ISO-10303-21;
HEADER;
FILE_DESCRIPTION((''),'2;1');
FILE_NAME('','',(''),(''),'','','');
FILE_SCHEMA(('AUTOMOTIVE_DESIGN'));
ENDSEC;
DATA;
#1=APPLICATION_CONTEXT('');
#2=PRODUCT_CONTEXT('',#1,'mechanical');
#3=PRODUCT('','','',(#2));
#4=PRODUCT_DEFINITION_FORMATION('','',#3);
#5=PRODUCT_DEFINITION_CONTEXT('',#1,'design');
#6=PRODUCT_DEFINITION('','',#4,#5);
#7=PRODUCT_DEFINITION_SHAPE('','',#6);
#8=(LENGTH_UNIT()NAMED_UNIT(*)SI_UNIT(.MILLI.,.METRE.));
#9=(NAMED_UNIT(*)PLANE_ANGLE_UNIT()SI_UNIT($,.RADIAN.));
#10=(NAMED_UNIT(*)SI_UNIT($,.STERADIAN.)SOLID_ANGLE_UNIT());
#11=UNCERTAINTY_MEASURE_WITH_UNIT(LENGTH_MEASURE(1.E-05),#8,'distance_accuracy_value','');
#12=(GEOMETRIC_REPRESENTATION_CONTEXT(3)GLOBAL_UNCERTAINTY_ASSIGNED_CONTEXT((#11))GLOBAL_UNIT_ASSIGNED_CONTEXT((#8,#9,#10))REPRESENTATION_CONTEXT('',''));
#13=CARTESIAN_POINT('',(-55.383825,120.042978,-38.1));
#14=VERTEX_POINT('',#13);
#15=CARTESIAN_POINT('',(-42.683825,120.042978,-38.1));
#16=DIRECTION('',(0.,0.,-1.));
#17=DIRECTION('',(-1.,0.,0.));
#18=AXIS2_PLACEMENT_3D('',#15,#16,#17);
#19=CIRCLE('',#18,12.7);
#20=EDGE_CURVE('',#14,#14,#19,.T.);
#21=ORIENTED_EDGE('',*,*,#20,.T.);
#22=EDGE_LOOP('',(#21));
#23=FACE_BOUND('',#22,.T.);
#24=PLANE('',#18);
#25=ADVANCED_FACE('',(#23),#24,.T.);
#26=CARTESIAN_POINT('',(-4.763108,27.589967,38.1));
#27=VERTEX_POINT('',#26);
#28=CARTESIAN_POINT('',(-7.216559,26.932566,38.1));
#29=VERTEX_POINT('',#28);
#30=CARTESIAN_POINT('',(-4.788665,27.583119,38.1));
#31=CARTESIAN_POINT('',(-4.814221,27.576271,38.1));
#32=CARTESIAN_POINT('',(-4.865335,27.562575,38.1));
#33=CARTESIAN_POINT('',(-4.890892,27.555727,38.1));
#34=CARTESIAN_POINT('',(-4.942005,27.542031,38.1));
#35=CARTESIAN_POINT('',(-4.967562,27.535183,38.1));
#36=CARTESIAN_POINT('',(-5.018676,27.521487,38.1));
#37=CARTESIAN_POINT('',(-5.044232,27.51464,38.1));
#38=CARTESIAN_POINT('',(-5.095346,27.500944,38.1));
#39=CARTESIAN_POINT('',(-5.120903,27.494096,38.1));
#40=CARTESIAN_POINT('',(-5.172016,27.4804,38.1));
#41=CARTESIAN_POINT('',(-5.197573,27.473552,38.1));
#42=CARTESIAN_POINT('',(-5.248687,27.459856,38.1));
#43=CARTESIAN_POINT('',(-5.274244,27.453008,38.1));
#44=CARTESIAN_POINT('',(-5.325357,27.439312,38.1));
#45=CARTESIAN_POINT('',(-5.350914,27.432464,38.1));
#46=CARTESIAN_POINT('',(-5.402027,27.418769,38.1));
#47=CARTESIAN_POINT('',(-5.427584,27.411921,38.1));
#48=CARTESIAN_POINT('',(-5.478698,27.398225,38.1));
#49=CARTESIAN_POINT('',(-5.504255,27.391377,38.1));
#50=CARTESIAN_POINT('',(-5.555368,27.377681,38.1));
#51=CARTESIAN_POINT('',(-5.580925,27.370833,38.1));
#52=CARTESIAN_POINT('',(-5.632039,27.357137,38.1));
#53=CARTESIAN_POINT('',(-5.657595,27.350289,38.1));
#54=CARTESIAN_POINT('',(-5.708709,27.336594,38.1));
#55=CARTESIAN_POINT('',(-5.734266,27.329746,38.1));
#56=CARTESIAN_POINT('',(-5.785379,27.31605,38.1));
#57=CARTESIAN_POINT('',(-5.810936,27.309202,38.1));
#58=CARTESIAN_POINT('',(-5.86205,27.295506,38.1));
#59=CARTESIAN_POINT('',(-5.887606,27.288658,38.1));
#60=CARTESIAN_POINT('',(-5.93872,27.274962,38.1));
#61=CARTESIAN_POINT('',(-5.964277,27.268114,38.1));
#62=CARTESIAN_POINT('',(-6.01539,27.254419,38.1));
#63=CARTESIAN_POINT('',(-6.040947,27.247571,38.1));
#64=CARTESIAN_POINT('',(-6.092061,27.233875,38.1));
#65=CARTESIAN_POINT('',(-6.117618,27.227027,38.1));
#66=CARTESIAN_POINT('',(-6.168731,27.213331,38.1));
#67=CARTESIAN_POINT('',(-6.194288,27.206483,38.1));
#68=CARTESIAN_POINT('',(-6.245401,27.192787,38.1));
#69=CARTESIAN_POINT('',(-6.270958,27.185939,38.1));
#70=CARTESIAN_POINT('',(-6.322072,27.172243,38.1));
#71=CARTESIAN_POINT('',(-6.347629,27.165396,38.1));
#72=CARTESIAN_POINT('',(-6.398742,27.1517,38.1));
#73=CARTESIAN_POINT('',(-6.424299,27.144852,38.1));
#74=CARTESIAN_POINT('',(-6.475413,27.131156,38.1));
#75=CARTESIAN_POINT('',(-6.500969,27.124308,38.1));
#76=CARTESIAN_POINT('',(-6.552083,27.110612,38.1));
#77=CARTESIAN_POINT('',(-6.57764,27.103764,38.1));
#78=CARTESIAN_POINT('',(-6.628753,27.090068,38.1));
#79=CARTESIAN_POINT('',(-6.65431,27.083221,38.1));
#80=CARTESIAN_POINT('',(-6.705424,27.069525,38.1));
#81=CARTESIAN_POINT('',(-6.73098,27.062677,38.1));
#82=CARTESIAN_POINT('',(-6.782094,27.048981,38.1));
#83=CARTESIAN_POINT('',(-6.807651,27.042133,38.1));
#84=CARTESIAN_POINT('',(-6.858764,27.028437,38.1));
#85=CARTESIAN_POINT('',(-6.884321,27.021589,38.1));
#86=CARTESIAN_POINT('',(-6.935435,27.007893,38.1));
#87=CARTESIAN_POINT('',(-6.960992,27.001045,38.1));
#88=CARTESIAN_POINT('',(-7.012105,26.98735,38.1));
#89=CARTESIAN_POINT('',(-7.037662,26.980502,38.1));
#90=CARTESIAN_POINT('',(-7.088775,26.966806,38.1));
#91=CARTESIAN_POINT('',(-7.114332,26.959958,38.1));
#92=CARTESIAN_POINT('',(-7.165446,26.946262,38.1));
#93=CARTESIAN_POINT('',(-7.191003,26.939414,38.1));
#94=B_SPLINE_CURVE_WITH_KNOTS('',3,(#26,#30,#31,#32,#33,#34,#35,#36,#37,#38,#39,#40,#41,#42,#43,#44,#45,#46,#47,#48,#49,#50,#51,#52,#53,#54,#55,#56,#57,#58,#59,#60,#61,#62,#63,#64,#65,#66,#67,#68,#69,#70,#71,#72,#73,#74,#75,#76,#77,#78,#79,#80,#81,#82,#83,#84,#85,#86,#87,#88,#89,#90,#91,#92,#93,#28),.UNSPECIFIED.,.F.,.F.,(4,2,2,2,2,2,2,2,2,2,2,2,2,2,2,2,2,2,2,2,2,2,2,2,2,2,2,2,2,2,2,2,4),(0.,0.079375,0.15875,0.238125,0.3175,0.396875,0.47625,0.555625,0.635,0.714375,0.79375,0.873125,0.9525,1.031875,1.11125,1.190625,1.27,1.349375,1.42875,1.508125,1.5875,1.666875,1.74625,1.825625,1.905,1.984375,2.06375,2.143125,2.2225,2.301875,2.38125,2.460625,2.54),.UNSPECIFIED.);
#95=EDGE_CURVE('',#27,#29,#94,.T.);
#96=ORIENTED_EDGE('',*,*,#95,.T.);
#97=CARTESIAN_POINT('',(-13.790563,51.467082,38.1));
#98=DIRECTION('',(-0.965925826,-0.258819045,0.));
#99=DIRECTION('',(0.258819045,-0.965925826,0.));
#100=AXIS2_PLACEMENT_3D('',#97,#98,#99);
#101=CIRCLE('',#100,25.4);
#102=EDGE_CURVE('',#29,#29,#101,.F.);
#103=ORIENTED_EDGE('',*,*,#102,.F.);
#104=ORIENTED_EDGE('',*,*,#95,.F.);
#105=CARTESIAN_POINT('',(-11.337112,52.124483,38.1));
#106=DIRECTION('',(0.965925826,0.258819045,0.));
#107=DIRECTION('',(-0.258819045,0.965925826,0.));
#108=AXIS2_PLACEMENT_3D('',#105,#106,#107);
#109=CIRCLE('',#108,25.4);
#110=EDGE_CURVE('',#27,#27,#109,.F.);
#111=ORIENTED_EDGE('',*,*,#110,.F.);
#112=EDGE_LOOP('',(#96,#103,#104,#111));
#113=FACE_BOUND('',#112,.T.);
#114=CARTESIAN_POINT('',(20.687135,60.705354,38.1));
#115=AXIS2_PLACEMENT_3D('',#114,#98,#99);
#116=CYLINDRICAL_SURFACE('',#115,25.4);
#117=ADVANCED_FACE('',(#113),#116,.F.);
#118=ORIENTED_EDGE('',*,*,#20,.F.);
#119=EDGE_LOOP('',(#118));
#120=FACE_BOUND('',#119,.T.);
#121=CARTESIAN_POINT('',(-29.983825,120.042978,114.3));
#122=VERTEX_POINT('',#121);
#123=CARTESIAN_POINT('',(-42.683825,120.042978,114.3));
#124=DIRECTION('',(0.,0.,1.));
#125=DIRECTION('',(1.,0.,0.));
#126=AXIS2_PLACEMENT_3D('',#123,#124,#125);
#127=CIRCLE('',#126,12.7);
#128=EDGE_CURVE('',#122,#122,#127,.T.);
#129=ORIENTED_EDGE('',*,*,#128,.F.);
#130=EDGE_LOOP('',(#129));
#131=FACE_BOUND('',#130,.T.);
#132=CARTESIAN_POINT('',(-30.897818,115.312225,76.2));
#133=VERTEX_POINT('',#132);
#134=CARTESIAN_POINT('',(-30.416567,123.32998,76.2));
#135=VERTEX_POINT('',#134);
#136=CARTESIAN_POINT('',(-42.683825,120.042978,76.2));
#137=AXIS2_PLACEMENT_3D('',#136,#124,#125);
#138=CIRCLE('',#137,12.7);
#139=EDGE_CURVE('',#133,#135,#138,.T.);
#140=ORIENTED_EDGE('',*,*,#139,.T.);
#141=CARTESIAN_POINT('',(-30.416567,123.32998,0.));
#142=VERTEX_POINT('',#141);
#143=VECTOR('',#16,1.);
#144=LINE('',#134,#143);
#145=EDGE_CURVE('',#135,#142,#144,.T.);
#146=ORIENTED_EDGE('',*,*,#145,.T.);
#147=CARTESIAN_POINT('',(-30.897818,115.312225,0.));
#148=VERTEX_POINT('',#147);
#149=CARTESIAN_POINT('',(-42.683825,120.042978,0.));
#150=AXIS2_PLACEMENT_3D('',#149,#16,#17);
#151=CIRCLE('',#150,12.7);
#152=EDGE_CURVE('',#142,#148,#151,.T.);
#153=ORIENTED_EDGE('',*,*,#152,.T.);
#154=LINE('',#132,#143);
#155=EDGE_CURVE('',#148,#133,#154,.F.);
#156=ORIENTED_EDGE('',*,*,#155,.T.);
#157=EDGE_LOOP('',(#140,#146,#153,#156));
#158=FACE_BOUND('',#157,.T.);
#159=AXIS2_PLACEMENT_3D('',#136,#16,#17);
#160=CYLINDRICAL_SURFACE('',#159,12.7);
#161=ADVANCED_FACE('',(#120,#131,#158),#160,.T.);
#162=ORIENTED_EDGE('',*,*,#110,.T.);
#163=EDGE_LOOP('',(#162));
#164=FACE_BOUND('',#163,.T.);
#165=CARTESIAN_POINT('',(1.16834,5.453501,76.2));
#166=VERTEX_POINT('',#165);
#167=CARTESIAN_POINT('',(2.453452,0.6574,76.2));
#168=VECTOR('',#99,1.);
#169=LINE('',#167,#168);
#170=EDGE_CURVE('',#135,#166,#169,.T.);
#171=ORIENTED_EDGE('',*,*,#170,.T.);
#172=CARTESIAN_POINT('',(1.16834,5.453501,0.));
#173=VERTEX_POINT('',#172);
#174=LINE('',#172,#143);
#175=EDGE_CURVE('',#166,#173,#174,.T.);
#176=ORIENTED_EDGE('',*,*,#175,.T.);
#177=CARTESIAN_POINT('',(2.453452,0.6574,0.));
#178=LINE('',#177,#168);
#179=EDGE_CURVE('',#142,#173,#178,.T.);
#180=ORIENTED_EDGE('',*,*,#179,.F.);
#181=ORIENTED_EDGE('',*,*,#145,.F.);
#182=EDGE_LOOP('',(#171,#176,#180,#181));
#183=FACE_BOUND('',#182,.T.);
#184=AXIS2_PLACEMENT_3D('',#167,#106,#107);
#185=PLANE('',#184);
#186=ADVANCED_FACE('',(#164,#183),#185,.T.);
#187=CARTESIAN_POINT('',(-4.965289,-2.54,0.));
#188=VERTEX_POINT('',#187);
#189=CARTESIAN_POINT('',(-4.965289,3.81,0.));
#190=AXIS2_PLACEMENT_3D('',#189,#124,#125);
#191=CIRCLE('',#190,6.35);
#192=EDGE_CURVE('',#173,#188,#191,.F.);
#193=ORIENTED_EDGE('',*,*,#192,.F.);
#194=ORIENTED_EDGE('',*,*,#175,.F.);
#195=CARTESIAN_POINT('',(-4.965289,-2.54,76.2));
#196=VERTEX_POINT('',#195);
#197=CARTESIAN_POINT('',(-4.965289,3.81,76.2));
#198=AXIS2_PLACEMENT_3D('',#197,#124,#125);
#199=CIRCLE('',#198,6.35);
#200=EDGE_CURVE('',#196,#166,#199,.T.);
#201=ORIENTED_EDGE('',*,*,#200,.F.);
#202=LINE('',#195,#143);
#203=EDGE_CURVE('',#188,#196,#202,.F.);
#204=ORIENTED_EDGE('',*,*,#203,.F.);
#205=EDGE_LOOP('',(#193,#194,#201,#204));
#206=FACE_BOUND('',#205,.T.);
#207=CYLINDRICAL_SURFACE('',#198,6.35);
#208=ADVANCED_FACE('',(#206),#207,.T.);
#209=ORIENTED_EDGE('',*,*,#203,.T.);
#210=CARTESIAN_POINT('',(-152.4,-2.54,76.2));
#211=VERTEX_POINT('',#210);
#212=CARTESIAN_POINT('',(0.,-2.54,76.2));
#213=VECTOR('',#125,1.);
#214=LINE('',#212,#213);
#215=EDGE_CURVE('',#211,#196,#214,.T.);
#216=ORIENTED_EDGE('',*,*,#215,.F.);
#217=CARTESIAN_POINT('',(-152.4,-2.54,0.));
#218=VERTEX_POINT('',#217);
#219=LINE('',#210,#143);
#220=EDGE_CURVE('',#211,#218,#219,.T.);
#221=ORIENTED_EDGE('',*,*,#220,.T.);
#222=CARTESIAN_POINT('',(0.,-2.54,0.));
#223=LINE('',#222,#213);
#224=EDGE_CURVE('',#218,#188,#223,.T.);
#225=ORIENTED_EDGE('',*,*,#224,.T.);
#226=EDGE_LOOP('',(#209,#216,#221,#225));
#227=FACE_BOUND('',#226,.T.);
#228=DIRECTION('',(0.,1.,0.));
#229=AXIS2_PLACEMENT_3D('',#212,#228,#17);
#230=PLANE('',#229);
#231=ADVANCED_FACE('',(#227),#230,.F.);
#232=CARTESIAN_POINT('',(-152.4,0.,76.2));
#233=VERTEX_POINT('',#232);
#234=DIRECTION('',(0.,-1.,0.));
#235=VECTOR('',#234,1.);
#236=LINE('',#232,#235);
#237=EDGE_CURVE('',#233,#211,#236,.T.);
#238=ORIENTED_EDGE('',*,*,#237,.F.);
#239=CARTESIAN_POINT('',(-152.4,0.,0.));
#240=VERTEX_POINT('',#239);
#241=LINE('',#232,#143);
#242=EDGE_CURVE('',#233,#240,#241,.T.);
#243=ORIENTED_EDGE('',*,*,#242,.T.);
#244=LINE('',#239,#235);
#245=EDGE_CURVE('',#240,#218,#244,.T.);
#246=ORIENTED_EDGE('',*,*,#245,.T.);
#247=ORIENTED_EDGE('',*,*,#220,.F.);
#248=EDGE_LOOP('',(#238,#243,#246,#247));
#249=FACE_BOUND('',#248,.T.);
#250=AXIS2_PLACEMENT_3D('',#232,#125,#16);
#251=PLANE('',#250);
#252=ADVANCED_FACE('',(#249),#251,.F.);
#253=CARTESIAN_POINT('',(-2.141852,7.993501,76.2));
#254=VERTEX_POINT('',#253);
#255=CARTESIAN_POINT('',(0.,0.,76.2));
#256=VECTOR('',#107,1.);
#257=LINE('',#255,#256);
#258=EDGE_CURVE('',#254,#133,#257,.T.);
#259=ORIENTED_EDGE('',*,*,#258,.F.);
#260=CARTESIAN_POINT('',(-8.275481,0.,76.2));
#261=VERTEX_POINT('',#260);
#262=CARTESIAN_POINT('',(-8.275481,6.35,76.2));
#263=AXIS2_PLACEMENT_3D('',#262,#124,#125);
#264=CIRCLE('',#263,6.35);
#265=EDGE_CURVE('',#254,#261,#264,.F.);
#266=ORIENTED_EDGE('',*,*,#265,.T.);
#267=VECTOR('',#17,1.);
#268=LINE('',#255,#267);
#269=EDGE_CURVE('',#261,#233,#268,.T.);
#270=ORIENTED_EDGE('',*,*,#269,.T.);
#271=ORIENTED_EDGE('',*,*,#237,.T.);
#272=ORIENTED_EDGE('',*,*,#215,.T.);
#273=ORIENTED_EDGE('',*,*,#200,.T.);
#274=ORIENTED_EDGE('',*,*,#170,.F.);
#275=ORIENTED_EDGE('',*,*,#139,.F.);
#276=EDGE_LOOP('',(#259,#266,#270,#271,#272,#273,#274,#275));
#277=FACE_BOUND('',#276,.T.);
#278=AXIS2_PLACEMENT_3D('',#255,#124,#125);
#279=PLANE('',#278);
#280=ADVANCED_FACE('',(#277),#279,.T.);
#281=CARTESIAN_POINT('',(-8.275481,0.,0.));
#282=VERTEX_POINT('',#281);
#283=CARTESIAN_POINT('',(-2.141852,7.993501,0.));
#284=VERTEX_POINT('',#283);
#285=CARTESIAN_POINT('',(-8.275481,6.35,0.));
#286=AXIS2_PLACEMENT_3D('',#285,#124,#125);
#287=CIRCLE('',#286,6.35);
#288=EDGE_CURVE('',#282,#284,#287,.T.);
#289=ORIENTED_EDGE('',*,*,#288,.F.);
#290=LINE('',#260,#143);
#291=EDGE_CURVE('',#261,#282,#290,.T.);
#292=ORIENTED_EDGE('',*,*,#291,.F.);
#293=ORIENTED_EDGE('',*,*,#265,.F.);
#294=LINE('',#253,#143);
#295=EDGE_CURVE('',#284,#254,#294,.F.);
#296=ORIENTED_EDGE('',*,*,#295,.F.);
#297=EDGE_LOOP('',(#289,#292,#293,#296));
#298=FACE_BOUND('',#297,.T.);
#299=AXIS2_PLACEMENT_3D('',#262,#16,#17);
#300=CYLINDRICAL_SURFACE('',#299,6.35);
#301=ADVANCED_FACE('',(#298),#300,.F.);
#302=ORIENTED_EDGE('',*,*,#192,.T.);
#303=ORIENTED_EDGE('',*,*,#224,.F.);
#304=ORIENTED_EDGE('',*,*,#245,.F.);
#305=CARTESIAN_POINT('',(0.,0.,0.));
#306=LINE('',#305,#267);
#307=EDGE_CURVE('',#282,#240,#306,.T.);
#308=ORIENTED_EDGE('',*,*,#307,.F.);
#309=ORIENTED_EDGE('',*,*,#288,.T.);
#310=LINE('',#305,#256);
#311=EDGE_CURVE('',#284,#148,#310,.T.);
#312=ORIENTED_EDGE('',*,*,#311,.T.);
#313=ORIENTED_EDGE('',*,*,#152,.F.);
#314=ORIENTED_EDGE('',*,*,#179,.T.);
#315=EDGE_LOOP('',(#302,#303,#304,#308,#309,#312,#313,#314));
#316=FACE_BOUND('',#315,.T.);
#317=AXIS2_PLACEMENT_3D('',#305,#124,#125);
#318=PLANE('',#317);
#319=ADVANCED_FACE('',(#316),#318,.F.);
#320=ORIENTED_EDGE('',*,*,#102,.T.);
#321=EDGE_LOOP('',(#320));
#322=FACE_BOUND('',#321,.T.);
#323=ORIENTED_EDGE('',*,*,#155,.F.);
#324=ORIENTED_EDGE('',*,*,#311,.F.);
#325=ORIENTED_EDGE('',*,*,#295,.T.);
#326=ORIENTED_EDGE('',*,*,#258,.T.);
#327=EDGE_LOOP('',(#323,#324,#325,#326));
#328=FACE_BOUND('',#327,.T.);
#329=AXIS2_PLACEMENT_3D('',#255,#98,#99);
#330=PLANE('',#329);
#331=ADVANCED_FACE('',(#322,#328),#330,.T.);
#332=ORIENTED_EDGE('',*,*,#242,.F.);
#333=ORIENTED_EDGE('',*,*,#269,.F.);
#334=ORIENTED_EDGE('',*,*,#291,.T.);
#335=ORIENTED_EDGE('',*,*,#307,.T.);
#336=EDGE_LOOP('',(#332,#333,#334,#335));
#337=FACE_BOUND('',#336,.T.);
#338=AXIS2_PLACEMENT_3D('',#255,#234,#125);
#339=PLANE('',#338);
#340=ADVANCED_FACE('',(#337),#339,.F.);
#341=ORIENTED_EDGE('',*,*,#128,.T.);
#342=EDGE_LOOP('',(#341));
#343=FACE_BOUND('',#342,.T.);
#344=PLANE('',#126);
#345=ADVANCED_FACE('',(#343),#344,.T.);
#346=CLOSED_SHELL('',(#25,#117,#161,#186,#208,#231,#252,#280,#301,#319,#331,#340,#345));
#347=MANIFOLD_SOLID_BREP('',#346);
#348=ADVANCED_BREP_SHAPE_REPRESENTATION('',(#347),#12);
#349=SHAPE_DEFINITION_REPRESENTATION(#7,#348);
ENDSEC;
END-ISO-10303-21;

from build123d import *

# Parameters (mm, degrees)
BOSS_EXTRUDE1_DEPTH            = 76.2
FILLET1_R                      = 6.35
FILLET2_R                      = 6.35
CUT_EXTRUDE1_REACH             = 219.331
SKETCH2_R                      = 25.4
CUT_EXTRUDE1_DIRECTION_2_DEPTH = 218.330696
BOSS_EXTRUDE4_START            = 38.1
SKETCH5_R                      = 12.7
BOSS_EXTRUDE4_DEPTH            = 38.1
SKETCH6_R                      = 12.7
BOSS_EXTRUDE5_DEPTH            = 38.1


with BuildPart() as part:
    # Sketch1 → Boss-Extrude1 (new body)
    with BuildSketch(Plane.XY):
        with BuildLine():
            Line((-152.4, -2.54), (3.310192, -2.54))
            Line((3.310192, -2.54), (-30.416567, 123.32998))
            ThreePointArc((-30.416567, 123.32998), (-55.361009, 120.803902), (-30.897818, 115.312225))
            Line((-30.897818, 115.312225), (0, 0))
            Line((0, 0), (-152.4, 0))
            Line((-152.4, 0), (-152.4, -2.54))
        make_face()
    extrude(amount=BOSS_EXTRUDE1_DEPTH)

    # Fillet1
    fillet1_edges = [part.edges().sort_by_distance(p)[0] for p in [
        (0, 0, 38.1),
    ]]
    fillet(fillet1_edges, radius=FILLET1_R)

    # Fillet2
    fillet2_edges = [part.edges().sort_by_distance(p)[0] for p in [
        (3.310192, -2.54, 38.1),
    ]]
    fillet(fillet2_edges, radius=FILLET2_R)

    # Sketch2 → Cut-Extrude1 (cut, up to next)
    with BuildSketch(Plane(origin=(2.453452, 0.6574, 0), x_dir=(0, 0, -1), z_dir=(0.9659258262890685, 0.2588190451025197, 0)), mode=Mode.PRIVATE) as cut_extrude1_sk1:
        with Locations(Location((-38.1, 53.282644, 0), (0, 0, 270))):
            Circle(SKETCH2_R)
    cut_extrude1_tool1 = extrude(cut_extrude1_sk1.sketch, amount=-CUT_EXTRUDE1_REACH, mode=Mode.PRIVATE) & part.part
    add(cut_extrude1_tool1.solids().sort_by_distance((-11.337112, 52.124483, 38.1))[0], mode=Mode.SUBTRACT)

    # Sketch2 → Cut-Extrude1 direction 2 (cut)
    with BuildSketch(Plane(origin=(2.453452, 0.6574, 0), x_dir=(0, 0, -1), z_dir=(0.9659258262890685, 0.2588190451025197, 0))):
        with Locations(Location((-38.1, 53.282644, 0), (0, 0, 270))):
            Circle(SKETCH2_R)
    extrude(amount=CUT_EXTRUDE1_DIRECTION_2_DEPTH, mode=Mode.SUBTRACT)

    # Sketch5 → Boss-Extrude4 (add)
    with BuildSketch(Plane(origin=(0, 0, 0), x_dir=(-1, 0, 0), z_dir=(0, 0, -1)).offset(BOSS_EXTRUDE4_START)):
        with Locations((42.683825, 120.042978)):
            Circle(SKETCH5_R)
    extrude(amount=-BOSS_EXTRUDE4_DEPTH)

    # Sketch6 → Boss-Extrude5 (add)
    with BuildSketch(Plane.XY.offset(76.2)):
        with Locations(Location((-42.683825, 120.042978, 0), (0, 0, 180))):
            Circle(SKETCH6_R)
    extrude(amount=BOSS_EXTRUDE5_DEPTH)


solid = part.part
